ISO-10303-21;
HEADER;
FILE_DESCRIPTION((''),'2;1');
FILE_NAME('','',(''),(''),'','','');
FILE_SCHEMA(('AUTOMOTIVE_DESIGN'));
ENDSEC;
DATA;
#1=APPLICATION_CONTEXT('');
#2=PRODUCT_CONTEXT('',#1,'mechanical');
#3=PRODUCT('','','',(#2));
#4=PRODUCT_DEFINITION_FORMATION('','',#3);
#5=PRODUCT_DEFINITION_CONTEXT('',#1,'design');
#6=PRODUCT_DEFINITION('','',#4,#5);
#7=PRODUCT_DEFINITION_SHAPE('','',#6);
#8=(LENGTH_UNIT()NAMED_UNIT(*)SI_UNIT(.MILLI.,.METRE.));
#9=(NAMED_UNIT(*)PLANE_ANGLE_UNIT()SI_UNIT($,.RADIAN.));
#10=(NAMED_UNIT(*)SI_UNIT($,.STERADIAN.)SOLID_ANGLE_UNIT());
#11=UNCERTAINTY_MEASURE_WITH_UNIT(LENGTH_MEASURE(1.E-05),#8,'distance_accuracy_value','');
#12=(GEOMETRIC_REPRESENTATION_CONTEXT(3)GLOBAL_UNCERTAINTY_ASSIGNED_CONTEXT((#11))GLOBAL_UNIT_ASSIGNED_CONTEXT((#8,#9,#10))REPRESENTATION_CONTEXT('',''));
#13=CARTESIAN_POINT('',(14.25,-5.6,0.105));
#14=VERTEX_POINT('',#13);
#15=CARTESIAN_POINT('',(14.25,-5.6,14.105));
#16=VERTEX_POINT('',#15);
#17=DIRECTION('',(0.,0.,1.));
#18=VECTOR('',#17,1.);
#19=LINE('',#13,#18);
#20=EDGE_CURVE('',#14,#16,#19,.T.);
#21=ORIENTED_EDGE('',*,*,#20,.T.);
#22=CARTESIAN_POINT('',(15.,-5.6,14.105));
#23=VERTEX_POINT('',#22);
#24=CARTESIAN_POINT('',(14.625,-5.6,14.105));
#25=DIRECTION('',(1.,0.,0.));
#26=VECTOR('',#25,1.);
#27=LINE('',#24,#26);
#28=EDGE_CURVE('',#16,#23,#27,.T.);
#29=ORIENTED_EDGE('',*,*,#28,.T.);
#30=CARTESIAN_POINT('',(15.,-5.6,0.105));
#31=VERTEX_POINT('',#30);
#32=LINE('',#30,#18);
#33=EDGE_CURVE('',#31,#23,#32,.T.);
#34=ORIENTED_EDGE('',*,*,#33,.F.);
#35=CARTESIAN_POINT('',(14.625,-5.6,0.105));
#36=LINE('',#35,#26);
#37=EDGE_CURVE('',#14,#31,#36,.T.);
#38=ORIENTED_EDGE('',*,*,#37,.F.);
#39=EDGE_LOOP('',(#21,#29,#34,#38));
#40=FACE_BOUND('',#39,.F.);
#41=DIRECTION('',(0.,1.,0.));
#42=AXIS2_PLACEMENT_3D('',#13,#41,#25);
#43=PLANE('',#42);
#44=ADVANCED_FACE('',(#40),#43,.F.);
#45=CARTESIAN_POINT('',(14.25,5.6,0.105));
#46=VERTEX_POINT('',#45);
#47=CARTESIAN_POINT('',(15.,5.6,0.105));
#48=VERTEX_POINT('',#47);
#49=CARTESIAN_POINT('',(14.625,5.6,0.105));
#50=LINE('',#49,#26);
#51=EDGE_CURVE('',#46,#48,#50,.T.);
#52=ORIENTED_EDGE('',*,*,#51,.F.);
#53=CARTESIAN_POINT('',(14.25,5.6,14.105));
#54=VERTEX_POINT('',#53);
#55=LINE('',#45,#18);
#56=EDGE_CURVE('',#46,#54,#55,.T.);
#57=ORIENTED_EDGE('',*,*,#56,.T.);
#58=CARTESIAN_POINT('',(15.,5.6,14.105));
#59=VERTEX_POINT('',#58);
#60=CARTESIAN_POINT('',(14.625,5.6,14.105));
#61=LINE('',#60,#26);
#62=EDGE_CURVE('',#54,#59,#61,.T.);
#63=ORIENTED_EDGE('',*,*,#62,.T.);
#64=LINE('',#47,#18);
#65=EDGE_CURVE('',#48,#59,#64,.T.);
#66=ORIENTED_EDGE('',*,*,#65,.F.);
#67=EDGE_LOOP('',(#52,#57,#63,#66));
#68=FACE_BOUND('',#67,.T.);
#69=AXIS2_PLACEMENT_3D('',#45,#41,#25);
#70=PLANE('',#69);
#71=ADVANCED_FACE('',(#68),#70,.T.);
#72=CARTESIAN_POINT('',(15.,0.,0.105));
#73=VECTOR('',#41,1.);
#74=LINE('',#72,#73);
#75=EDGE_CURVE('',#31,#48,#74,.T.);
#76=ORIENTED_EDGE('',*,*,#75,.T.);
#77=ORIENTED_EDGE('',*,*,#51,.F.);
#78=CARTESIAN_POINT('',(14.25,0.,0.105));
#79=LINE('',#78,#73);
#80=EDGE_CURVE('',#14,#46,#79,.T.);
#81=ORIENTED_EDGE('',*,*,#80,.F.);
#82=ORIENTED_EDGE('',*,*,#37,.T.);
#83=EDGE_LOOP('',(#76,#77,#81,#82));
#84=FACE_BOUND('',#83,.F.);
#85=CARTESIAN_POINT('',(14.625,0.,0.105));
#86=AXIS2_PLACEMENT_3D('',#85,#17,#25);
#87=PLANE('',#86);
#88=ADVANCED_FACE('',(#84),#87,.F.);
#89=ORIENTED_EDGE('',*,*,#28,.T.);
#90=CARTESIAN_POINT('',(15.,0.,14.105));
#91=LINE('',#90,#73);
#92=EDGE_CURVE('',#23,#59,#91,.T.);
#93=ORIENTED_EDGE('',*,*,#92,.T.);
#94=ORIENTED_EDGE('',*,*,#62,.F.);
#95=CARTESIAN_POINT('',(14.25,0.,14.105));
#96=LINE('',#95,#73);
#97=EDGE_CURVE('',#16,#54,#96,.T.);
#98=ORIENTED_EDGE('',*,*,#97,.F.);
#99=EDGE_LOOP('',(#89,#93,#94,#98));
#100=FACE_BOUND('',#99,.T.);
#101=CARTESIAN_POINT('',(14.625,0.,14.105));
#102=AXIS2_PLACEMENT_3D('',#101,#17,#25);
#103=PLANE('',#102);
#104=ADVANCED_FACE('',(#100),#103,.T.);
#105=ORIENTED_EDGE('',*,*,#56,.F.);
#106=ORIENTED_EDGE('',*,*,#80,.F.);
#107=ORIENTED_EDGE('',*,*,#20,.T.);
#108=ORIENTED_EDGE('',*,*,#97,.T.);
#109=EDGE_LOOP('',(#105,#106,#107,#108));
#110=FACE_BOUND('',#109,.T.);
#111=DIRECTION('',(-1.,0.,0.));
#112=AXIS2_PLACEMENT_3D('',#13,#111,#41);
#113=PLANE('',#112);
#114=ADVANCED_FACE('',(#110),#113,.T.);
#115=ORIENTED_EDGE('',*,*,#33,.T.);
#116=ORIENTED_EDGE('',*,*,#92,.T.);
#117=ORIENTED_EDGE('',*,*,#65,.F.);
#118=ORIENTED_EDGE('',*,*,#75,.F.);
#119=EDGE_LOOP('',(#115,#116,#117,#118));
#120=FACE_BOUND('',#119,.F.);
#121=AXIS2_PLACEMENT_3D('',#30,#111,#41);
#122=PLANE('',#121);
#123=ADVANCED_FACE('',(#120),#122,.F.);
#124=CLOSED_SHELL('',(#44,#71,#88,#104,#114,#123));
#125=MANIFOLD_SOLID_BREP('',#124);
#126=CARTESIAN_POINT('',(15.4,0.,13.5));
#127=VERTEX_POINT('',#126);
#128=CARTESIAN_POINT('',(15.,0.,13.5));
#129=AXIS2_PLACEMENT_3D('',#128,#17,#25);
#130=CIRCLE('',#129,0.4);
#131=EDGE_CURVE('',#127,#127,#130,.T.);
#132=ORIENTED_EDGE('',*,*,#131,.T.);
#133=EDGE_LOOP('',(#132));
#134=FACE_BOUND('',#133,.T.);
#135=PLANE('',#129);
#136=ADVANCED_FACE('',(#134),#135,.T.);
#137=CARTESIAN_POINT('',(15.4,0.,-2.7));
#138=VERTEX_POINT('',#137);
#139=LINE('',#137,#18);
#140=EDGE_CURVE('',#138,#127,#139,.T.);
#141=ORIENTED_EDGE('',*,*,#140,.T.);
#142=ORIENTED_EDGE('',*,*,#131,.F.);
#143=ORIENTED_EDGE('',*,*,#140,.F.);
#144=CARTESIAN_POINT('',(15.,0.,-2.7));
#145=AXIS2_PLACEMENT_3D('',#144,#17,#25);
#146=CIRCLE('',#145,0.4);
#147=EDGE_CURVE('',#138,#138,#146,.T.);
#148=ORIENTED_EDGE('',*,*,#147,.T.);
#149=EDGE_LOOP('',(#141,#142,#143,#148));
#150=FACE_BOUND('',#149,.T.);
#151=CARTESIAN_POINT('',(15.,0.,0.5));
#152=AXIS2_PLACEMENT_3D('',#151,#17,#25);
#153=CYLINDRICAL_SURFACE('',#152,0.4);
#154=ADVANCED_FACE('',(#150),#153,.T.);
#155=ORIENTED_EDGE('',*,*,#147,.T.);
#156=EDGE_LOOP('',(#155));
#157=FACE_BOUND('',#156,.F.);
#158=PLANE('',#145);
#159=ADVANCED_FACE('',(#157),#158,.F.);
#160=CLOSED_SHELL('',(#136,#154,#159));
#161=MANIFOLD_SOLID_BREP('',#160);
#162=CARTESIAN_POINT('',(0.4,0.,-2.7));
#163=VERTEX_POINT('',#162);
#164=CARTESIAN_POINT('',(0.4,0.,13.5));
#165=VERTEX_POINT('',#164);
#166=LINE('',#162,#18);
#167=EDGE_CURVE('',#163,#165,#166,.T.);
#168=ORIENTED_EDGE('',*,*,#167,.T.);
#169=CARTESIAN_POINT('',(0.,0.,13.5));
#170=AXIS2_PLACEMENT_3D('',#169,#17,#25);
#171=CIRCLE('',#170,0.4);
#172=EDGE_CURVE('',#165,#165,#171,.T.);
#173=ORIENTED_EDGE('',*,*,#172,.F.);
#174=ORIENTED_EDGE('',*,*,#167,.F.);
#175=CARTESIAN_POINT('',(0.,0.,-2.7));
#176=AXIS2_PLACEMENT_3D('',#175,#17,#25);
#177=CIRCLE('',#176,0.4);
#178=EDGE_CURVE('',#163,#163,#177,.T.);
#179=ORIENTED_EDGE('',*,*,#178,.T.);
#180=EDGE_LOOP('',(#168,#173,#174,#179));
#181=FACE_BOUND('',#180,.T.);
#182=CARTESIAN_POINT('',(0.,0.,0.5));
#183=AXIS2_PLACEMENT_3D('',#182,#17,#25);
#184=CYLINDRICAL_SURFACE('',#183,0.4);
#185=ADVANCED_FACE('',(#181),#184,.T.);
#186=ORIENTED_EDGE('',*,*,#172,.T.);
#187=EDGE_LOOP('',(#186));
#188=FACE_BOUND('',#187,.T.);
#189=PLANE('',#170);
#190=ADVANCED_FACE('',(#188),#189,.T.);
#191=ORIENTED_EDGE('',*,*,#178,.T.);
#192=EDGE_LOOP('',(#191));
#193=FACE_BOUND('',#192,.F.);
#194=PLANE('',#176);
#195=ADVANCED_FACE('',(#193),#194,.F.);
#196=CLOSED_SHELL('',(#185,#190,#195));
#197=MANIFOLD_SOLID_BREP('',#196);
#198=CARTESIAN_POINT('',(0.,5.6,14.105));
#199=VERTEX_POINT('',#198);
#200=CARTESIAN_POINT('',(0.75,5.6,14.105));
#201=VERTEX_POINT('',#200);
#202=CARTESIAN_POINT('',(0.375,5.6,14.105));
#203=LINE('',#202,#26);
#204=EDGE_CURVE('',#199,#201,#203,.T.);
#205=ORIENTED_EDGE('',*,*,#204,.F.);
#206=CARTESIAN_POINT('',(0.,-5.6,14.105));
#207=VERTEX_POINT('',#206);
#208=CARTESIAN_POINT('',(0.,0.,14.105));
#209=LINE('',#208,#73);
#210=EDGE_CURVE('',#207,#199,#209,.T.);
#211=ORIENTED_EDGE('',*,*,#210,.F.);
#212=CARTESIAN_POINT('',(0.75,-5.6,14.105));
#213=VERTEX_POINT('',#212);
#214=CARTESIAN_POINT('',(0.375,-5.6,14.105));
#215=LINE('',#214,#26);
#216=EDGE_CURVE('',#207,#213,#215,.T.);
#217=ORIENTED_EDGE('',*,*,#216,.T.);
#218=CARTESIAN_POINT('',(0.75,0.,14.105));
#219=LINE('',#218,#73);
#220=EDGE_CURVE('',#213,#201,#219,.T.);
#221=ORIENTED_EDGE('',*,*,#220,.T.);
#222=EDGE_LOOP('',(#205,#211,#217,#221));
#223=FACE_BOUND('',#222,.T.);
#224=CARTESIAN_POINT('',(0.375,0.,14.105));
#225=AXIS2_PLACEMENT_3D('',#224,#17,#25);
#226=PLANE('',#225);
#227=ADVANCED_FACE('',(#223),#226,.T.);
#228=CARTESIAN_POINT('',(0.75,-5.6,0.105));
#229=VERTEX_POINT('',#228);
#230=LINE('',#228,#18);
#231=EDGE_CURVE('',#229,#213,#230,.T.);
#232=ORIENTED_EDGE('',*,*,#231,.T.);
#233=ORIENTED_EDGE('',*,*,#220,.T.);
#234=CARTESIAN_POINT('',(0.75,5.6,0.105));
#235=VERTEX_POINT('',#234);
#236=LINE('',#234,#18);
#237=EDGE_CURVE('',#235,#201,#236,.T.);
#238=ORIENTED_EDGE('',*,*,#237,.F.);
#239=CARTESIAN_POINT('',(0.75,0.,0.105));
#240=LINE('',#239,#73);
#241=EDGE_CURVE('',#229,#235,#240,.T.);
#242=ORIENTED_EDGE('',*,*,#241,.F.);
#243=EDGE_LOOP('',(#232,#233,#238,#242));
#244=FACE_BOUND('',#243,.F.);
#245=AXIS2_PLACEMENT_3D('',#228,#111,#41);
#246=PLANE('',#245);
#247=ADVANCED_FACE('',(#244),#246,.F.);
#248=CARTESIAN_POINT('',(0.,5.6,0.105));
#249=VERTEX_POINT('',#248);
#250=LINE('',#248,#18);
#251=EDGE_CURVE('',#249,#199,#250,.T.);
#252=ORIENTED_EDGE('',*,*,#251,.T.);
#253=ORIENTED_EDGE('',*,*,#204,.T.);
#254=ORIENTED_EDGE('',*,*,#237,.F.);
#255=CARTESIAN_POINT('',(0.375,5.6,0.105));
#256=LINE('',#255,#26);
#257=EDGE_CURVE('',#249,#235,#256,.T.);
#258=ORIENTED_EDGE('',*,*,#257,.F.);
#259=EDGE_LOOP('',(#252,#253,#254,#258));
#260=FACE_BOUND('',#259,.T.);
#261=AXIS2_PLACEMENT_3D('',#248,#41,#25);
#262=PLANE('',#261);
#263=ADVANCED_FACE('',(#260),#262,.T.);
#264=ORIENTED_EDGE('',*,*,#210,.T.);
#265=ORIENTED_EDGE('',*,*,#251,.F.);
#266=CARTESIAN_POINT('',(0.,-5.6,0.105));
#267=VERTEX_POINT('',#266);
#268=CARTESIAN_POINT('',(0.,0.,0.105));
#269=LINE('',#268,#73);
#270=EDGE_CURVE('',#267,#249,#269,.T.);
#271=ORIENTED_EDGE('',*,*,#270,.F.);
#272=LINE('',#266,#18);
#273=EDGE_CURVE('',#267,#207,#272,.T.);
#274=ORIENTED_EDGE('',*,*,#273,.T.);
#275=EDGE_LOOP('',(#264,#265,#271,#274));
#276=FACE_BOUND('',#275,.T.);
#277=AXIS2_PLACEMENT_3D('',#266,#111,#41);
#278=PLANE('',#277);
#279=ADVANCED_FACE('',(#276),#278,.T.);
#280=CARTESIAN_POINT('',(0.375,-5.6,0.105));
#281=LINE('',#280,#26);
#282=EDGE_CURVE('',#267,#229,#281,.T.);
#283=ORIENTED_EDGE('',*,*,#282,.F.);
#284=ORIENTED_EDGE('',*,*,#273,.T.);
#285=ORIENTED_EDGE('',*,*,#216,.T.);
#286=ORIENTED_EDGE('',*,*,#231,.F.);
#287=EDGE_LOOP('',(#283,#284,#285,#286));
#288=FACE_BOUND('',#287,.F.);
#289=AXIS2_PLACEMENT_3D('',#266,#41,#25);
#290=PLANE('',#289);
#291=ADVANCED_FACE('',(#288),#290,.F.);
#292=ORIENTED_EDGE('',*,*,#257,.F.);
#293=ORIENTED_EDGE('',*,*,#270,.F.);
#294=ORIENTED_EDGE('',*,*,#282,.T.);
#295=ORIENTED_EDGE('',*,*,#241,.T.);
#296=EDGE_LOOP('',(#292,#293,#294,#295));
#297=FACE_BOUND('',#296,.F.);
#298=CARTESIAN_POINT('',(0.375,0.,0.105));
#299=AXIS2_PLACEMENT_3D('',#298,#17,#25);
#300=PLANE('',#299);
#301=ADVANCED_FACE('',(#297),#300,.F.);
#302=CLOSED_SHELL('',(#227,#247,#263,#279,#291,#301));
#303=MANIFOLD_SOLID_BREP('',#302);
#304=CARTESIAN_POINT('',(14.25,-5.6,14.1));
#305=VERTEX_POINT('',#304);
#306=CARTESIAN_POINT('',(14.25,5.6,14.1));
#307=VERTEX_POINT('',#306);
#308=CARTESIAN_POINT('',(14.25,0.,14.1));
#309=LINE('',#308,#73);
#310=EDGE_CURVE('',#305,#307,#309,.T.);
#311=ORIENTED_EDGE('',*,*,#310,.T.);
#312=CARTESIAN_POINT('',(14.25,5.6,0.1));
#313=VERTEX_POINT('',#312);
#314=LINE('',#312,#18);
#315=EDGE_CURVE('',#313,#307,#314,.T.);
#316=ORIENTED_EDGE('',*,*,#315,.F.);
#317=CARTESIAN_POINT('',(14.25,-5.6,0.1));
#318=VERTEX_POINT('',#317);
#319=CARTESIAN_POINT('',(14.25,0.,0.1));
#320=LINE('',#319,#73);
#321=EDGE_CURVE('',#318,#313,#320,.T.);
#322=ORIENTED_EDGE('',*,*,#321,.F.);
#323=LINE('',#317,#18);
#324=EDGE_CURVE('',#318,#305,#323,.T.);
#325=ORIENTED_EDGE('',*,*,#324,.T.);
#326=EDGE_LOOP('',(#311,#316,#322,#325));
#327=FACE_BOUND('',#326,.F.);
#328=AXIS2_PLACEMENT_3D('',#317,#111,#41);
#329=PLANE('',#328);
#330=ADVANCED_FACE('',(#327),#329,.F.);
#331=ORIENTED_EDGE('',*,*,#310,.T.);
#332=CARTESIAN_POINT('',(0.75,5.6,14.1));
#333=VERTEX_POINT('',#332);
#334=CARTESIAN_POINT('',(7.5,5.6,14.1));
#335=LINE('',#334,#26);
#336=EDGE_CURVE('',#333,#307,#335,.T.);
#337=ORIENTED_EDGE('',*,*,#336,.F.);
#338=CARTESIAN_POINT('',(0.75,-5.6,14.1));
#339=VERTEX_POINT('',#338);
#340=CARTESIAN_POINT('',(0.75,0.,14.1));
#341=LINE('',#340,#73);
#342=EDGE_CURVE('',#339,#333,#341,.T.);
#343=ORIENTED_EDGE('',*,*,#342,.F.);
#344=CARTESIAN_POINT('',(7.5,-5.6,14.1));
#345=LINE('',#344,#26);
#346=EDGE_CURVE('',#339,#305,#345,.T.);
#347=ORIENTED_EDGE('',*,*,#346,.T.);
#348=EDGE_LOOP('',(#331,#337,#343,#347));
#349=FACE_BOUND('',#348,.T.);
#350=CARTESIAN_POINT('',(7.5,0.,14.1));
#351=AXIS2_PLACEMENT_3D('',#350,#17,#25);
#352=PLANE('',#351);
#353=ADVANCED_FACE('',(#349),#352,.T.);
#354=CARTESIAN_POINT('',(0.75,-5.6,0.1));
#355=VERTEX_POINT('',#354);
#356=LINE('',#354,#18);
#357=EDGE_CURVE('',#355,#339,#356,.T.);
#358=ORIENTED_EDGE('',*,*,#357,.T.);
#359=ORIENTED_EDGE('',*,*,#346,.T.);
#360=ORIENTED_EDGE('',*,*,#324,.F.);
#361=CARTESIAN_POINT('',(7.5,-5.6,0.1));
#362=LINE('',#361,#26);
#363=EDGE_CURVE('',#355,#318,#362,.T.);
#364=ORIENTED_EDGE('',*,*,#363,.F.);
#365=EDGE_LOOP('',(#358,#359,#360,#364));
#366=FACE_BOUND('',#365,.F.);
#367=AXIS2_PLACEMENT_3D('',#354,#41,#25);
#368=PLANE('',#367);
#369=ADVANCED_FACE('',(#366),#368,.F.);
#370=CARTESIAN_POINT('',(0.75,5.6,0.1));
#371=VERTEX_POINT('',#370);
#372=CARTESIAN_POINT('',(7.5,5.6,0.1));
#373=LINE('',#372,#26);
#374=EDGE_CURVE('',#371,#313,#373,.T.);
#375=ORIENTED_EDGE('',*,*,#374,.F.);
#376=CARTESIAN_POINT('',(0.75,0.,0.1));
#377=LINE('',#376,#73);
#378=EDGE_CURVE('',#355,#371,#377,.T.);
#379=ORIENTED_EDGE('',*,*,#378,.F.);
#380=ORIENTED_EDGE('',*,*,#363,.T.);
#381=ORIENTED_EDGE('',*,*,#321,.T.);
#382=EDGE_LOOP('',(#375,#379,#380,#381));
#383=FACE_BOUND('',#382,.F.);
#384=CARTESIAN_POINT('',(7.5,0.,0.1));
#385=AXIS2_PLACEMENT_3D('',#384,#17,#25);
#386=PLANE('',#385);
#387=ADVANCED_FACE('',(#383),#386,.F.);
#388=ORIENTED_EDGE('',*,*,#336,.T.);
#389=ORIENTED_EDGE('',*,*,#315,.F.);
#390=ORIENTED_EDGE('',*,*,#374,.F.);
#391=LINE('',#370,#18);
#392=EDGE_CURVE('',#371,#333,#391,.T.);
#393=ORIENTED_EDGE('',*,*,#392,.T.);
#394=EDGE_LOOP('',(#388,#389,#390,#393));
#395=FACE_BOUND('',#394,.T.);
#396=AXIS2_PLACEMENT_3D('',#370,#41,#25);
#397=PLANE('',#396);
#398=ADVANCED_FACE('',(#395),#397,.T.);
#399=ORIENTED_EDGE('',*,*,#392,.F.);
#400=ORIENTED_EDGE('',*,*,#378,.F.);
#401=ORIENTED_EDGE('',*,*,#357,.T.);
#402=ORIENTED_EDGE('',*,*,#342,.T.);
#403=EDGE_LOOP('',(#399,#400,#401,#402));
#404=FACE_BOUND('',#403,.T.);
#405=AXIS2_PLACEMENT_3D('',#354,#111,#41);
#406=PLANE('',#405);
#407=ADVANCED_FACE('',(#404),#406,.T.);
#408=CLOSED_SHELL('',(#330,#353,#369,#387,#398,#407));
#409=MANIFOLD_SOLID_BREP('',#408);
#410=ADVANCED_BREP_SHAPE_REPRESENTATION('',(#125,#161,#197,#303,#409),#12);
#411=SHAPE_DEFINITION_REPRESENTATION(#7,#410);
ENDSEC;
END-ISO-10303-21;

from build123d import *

# Parameters (mm, degrees)
SKETCH_W          = 13.5
SKETCH_H          = 11.2
PAD_DEPTH         = 14
SKETCH001_R       = 0.4
PAD001_DEPTH      = 13
PAD001_DEPTH_BACK = 3.2
SKETCH002_W       = 0.75
SKETCH002_H       = 11.2
PAD002_DEPTH      = 14


with BuildPart() as pad:
    # Sketch → Pad (new body)
    with BuildSketch(Plane.XY.offset(0.1)):
        with Locations((7.5, 0)):
            Rectangle(SKETCH_W, SKETCH_H)
    extrude(amount=PAD_DEPTH)


with BuildPart() as pad001:
    # Sketch001 → Pad001 (new body, two sides)
    with BuildSketch(Plane.XY.offset(0.5)) as pad001_sk:
        Circle(SKETCH001_R)
        with Locations((15, 0)):
            Circle(SKETCH001_R)
    extrude(amount=PAD001_DEPTH)
    extrude(pad001_sk.sketch, amount=-PAD001_DEPTH_BACK)


with BuildPart() as pad002:
    # Sketch002 → Pad002 (new body)
    with BuildSketch(Plane.XY.offset(0.105)):
        with Locations((0.375, 0)):
            Rectangle(SKETCH002_W, SKETCH002_H)
        with Locations((14.625, 0)):
            Rectangle(SKETCH002_W, SKETCH002_H)
    extrude(amount=PAD002_DEPTH)


solid = Compound([pad.part, pad001.part, pad002.part])
